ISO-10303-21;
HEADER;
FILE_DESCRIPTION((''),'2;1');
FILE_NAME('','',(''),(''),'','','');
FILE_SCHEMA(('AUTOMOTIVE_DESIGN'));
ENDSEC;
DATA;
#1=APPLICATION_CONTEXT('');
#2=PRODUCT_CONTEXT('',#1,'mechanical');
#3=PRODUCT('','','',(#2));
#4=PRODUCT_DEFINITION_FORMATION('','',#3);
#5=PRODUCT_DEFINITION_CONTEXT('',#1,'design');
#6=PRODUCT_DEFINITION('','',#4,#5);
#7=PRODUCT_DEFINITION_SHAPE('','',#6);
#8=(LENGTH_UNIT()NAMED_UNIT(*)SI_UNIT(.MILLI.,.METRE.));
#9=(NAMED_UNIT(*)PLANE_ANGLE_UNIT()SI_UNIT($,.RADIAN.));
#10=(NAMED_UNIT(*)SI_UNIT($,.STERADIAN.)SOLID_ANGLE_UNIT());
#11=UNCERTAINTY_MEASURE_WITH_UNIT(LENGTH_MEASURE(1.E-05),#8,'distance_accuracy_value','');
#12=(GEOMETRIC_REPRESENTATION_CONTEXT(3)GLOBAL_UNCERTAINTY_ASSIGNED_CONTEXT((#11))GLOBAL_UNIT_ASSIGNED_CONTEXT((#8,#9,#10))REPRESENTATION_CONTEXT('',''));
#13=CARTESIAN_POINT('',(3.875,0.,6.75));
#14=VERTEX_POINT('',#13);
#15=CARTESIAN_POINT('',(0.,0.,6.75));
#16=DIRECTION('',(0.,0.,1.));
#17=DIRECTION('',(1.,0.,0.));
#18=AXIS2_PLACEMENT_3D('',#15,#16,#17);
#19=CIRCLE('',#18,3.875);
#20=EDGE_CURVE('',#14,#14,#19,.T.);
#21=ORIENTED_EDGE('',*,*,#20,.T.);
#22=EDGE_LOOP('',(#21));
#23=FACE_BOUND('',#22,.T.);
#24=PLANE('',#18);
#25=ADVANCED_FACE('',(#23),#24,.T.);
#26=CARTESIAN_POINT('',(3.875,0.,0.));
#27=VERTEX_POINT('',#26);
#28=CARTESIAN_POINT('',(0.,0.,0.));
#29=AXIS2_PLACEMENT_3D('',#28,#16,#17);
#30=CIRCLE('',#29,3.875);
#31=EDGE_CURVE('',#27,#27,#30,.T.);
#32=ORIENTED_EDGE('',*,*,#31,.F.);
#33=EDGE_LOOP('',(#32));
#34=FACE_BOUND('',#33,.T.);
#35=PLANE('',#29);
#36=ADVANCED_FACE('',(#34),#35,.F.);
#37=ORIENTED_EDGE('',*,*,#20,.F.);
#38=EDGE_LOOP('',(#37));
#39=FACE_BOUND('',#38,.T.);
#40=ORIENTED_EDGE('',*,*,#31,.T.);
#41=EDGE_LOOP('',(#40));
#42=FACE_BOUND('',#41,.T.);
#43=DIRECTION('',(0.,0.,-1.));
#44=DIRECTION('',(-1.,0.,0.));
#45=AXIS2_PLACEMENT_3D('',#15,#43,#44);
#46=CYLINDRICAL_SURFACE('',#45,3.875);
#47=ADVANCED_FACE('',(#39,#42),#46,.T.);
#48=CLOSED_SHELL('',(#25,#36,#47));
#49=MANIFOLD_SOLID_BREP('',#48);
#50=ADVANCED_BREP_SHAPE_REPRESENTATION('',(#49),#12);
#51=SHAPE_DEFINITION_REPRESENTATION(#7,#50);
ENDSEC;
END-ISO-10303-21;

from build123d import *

# Parameters (mm, degrees)
SCHIZZO1_R                   = 3.875
ESTRUSIONE_ESTRUSIONE1_DEPTH = 6.75


with BuildPart() as part:
    # Schizzo1 → Estrusione-Estrusione1 (new body)
    with BuildSketch(Plane.XY):
        Circle(SCHIZZO1_R)
    extrude(amount=ESTRUSIONE_ESTRUSIONE1_DEPTH)


solid = part.part
